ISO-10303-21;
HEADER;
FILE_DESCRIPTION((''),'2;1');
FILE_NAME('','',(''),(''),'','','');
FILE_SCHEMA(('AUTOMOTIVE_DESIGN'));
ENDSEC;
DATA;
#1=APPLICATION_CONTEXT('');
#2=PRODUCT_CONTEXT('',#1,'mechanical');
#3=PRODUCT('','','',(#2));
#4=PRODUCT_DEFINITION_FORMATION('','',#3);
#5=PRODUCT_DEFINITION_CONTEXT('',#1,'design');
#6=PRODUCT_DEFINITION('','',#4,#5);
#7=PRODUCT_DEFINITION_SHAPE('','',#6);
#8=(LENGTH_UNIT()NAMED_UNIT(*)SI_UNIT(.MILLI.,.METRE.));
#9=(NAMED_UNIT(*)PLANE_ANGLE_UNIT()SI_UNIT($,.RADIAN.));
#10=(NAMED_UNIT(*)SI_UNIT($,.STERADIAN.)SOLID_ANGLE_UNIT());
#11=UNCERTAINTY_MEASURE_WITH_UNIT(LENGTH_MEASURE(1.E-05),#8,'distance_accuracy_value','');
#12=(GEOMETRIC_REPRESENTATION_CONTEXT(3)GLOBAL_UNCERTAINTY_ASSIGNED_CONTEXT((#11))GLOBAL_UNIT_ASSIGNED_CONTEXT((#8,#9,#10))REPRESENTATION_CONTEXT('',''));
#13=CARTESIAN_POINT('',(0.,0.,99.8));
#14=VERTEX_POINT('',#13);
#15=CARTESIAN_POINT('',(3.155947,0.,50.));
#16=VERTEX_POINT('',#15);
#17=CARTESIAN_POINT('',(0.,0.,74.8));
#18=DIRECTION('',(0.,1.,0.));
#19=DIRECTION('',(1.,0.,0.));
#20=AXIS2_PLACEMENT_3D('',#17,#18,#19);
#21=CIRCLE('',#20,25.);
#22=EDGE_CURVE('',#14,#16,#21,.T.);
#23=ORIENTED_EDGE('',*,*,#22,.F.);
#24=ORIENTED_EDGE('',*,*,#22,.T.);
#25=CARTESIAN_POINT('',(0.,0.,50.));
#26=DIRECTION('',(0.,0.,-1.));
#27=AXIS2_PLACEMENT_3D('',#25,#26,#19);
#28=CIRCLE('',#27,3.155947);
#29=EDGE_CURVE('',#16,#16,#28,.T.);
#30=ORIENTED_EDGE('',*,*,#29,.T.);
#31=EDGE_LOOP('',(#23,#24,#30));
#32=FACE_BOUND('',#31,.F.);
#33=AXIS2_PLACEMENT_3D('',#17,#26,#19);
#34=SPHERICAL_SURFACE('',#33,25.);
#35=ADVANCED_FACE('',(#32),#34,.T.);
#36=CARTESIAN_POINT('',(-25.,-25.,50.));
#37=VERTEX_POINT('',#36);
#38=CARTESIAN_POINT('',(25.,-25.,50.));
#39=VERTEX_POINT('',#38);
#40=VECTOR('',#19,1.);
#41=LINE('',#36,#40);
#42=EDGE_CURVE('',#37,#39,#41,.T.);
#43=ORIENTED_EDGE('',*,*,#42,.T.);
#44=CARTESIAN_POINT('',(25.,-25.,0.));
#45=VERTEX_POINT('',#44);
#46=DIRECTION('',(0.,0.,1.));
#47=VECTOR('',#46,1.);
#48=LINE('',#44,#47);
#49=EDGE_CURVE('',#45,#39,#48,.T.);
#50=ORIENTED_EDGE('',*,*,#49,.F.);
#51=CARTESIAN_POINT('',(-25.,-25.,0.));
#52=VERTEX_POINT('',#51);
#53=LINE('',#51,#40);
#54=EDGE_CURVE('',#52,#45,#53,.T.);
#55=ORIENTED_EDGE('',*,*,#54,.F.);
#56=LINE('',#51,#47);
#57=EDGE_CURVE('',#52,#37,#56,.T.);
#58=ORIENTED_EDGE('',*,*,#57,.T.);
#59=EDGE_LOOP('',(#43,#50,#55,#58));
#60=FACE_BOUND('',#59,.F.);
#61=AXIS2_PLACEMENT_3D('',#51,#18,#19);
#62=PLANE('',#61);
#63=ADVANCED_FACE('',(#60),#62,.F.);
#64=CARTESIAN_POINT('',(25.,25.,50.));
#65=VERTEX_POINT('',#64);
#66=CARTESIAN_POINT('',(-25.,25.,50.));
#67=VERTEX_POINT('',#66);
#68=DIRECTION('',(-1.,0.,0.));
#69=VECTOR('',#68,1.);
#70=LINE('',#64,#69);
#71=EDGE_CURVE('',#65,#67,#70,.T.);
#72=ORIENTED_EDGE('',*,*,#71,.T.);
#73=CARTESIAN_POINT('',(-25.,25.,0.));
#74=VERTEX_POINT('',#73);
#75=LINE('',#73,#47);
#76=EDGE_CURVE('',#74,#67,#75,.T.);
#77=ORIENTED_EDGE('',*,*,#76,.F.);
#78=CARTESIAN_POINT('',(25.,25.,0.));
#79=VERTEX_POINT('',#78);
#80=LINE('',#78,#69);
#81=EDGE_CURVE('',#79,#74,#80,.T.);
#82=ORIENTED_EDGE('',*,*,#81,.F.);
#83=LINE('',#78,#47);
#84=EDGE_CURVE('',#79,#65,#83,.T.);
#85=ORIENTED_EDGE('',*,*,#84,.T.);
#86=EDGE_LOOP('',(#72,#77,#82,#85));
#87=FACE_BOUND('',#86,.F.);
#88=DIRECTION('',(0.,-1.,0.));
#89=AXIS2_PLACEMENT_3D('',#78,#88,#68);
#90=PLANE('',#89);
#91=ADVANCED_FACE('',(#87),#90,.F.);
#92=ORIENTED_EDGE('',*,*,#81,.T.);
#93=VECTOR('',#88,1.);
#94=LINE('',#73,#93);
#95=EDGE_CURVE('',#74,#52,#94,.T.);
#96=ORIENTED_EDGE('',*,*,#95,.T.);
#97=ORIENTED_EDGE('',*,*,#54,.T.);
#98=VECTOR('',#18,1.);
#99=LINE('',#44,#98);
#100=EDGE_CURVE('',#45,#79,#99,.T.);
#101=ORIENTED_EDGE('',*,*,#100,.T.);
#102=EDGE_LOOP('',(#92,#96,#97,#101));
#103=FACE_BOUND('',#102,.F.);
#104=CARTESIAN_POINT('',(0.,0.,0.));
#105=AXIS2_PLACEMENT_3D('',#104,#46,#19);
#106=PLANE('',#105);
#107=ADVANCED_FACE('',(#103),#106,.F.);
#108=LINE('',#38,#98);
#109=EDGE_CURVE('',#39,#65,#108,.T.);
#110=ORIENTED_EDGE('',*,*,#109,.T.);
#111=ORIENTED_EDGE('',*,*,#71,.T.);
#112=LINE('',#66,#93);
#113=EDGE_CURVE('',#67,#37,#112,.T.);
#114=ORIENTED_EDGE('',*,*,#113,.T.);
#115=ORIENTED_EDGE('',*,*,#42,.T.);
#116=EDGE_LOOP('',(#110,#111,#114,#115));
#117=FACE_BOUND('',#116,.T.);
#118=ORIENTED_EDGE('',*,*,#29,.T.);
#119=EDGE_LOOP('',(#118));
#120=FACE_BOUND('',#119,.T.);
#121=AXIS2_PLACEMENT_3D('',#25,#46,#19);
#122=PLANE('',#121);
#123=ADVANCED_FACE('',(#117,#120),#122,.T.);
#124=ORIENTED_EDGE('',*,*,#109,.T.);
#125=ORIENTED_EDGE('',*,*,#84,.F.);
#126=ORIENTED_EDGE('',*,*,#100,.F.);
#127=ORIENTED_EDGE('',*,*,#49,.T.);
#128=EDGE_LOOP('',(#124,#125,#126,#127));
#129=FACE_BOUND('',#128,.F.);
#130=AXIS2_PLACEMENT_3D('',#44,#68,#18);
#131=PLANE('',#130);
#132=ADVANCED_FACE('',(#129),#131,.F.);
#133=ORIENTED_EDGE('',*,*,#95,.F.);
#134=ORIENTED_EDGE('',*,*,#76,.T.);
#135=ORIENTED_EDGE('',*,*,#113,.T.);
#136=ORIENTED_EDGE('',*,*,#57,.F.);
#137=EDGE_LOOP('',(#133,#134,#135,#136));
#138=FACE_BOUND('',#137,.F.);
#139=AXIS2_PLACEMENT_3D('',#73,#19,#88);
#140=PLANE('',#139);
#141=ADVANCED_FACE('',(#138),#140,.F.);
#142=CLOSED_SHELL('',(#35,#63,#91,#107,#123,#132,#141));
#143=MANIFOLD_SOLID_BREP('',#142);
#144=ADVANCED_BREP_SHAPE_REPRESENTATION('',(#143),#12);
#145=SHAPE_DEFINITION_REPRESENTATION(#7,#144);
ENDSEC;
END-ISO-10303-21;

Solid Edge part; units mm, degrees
sketch "Sketch1" plane through (0, 0, 0) normal (0, 0, 1) x (1, 0, 0)
  line L0 (-25, -25) -> (25, -25)
  line L1 (25, -25) -> (25, 25)
  line L2 (25, 25) -> (-25, 25)
  line L3 (-25, 25) -> (-25, -25)
extrude "Protrusion1" add sketch "Sketch1" along normal blind 50
sketch "Sketch2" plane through (0, 0, 0) normal (0, -1, 0) x (1, 0, 0)
  line L0 (0, 49.8) -> (0, 99.8)
  arc A0 (0, 99.8) -> (0, 49.8) centre (0, 74.8) cw
revolve "RevolvedProtrusion1" add sketch "Sketch2" angle 360 about axis through (0, 0, 49.8) along (0, 0, 1)
